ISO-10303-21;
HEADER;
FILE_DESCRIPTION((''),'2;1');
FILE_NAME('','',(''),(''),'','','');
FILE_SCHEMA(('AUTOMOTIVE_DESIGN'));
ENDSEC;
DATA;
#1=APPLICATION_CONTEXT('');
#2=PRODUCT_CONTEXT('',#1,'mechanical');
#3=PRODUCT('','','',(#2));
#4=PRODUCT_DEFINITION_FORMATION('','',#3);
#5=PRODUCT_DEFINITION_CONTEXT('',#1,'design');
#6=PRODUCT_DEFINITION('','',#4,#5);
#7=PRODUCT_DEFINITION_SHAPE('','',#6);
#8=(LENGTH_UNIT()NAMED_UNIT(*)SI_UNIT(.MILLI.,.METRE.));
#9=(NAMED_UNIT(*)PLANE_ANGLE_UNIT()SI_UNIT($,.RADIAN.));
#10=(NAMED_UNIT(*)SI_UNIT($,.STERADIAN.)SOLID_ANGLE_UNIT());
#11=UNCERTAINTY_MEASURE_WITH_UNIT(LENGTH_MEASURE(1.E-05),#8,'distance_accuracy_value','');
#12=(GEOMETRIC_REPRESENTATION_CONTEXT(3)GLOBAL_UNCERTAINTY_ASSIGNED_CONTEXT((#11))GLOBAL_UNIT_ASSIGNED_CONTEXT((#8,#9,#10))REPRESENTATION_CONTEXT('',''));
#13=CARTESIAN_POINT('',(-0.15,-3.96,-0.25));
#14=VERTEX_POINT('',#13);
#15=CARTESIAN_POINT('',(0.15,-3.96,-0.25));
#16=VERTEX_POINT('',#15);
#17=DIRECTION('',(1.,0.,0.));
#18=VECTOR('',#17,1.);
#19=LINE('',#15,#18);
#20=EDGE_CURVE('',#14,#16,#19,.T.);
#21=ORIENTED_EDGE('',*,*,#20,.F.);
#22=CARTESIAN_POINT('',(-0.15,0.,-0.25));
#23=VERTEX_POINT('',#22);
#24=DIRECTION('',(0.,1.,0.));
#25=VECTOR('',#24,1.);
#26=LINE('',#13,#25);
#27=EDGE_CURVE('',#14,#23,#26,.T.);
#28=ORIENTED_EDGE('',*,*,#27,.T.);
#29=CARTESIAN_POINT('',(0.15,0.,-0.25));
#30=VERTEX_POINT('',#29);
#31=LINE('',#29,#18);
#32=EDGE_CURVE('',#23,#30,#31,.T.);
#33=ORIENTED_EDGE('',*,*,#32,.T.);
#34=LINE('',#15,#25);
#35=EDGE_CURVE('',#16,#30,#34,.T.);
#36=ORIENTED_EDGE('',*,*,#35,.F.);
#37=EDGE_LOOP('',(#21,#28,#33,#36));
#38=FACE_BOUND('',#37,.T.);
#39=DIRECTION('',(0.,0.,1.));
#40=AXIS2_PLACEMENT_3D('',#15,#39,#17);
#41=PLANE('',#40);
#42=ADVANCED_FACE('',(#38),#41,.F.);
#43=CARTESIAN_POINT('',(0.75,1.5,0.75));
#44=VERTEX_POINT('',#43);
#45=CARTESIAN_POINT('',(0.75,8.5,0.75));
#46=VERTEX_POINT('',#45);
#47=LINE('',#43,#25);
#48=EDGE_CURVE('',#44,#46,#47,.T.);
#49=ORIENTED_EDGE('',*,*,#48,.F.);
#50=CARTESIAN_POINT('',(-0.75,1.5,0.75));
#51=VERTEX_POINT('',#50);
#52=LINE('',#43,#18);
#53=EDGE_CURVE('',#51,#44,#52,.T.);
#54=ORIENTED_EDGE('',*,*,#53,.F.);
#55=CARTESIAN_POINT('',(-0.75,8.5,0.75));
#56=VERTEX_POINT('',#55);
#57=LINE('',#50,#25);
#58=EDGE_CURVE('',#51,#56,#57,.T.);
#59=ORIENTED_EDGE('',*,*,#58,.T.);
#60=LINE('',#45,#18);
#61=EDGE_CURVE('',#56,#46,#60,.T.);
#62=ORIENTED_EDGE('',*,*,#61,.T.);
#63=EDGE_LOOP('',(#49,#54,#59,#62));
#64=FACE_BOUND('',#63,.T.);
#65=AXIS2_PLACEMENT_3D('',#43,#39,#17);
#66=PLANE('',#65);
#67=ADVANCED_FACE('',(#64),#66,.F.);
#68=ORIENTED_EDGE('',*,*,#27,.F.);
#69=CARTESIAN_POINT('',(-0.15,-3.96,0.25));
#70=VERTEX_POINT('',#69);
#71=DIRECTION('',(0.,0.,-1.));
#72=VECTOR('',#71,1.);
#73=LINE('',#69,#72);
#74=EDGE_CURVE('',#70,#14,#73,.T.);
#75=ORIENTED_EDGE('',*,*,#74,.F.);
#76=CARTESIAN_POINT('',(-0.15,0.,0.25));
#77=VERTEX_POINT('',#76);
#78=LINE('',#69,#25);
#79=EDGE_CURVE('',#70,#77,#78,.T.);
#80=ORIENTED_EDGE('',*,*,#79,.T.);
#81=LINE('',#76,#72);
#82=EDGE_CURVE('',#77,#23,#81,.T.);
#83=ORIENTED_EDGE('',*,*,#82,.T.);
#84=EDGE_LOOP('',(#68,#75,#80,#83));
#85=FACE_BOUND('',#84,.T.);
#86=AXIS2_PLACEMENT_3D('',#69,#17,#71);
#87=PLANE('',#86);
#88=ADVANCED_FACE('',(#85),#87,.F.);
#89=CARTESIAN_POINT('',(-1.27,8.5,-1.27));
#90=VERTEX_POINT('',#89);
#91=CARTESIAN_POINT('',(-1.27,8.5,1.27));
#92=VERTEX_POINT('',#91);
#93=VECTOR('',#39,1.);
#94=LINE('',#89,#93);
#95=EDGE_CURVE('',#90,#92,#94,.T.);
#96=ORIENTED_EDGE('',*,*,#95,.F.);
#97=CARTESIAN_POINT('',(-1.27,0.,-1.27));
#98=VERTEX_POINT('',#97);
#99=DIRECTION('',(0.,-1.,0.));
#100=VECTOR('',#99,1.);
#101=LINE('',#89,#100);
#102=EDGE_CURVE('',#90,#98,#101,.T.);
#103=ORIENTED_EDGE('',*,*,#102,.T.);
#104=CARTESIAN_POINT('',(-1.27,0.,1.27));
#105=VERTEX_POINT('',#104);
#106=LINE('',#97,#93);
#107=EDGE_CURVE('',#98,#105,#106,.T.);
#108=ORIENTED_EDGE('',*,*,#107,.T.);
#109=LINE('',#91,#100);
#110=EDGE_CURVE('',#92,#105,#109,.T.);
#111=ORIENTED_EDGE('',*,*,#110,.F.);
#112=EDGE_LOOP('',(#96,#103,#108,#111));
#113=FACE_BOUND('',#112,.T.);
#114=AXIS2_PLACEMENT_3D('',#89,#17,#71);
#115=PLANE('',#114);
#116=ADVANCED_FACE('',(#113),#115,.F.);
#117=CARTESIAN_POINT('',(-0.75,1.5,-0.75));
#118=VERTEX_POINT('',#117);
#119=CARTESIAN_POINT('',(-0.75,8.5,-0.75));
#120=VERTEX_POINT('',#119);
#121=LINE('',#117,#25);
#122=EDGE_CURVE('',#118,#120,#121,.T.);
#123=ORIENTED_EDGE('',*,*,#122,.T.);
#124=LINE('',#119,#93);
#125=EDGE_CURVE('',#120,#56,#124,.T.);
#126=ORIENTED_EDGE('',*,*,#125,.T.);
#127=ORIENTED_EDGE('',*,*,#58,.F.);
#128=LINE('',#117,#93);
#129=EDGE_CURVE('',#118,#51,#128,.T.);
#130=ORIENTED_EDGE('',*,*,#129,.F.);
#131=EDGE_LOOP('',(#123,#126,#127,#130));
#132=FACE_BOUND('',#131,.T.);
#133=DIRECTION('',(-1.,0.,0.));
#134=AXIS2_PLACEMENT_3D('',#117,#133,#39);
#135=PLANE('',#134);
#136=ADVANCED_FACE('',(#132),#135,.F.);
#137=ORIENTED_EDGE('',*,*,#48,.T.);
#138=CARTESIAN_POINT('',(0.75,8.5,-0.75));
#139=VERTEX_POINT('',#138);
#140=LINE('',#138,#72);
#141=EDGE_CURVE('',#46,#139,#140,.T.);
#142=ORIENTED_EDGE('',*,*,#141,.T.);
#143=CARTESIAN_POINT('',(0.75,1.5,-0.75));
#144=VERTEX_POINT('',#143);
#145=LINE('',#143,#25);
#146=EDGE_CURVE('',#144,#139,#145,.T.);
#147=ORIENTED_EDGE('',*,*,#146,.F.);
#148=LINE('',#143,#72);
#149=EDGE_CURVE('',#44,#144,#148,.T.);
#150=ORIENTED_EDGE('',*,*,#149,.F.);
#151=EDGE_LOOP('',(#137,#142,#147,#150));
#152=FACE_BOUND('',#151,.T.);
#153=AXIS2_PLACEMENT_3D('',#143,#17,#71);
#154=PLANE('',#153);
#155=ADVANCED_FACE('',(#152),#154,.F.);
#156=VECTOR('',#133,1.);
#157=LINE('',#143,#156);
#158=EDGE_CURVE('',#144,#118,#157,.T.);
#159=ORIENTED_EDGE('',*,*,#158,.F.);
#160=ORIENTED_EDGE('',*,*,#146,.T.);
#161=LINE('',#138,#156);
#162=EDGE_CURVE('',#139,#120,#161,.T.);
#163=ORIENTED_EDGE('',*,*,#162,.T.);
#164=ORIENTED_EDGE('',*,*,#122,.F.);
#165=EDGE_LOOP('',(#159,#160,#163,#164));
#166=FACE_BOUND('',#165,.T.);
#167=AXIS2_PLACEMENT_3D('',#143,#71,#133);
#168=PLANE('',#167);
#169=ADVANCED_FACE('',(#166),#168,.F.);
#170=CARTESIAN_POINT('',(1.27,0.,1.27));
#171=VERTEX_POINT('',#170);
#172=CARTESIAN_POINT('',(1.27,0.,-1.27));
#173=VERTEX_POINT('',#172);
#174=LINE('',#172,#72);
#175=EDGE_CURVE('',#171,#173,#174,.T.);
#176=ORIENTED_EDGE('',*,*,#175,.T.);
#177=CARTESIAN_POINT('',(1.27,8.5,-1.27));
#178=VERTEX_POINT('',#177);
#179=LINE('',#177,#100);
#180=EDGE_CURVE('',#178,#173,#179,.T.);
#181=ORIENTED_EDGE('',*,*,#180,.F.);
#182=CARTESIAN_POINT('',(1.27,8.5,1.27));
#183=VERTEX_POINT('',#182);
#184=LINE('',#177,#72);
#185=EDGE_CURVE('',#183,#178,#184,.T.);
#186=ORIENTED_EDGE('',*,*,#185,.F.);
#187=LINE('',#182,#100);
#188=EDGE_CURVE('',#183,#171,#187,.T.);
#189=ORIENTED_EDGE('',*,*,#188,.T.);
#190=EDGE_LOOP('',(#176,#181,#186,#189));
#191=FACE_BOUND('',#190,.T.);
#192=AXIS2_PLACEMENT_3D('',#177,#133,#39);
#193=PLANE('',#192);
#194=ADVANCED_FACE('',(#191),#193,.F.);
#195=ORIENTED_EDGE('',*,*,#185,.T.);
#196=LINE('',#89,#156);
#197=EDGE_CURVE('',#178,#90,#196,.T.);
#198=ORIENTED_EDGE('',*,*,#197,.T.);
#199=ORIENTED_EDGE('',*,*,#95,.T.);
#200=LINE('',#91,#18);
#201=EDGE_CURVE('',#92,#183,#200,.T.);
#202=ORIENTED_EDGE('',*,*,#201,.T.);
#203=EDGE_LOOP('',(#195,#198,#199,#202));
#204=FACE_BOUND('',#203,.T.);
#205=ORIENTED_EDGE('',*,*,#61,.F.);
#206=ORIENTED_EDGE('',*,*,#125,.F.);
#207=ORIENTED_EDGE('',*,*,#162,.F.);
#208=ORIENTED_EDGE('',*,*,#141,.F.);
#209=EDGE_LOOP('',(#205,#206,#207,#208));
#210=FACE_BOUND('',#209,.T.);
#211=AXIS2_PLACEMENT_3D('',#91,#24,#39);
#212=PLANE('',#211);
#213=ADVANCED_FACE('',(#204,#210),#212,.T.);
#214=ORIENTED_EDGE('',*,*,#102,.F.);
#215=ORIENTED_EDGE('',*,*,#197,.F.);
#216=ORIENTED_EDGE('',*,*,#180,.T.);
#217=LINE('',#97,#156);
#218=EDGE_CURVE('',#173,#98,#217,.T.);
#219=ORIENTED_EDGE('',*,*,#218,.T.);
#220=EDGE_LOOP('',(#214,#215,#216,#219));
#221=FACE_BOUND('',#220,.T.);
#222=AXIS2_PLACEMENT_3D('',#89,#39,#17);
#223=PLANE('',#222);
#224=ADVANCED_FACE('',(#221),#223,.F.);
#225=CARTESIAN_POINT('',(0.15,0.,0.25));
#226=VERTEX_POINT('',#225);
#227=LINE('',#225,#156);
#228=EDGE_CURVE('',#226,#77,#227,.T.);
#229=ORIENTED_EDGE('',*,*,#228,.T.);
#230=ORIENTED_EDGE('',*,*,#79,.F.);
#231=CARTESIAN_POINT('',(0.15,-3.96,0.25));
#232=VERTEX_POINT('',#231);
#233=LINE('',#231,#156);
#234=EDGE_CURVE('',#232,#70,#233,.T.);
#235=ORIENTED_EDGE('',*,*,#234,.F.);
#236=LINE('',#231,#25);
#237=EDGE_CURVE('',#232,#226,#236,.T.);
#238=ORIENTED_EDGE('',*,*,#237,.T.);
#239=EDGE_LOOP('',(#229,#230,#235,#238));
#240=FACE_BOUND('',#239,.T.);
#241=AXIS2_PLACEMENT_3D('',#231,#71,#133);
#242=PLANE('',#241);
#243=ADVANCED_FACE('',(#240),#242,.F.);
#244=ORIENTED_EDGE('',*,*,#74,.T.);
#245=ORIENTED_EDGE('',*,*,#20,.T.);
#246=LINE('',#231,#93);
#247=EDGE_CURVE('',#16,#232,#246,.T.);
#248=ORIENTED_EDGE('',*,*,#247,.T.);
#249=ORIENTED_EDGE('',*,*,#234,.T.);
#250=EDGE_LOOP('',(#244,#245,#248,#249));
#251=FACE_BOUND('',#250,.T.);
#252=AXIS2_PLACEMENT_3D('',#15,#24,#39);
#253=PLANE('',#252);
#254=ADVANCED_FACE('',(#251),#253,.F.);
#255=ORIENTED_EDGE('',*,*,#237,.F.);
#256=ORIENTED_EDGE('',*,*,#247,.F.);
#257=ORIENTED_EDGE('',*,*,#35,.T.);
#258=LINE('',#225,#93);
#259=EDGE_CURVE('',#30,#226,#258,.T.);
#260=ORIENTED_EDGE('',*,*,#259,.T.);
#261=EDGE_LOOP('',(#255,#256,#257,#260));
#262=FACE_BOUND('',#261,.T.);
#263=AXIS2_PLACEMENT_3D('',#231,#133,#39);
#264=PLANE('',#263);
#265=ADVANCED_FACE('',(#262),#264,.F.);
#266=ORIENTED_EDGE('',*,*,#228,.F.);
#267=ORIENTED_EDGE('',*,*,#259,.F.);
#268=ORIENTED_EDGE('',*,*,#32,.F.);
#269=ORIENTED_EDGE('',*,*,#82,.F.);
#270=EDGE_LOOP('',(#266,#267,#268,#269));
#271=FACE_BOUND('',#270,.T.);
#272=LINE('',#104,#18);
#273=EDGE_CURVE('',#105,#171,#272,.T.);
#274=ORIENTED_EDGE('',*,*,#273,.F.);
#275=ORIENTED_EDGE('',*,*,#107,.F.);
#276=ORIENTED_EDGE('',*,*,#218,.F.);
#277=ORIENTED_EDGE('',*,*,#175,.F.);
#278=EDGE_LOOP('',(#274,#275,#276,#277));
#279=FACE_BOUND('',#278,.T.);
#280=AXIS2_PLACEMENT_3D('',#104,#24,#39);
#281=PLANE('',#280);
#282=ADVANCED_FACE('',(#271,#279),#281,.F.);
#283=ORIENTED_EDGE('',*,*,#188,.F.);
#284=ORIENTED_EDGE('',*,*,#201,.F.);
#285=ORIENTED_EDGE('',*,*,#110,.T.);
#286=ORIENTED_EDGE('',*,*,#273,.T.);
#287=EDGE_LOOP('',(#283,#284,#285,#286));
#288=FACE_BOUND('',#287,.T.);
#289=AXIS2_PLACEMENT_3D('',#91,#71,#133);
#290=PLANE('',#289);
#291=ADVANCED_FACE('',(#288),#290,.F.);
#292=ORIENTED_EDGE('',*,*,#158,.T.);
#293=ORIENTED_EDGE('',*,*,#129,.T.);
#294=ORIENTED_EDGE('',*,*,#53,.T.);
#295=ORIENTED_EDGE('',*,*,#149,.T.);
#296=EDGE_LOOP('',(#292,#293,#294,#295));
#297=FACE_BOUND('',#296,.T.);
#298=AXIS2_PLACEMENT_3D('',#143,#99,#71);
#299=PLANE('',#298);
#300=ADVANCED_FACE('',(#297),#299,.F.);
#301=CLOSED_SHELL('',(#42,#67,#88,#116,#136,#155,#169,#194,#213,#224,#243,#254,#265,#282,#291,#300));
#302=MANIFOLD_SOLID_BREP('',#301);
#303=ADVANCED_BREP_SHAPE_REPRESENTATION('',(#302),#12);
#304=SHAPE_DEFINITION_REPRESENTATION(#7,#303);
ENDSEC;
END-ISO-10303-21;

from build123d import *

# Parameters (mm, degrees)
SKETCH_2_W          = 2.54
SKETCH_2_H          = 2.54
EXTRUDE_1_DEPTH     = 8.5
SKETCH_3_W          = 0.3
SKETCH_3_H          = 0.5
EXTRUDE_2_DEPTH     = 3.96
SKETCH_4_W          = 1.5
SKETCH_4_H          = 1.5
CUT_EXTRUDE_1_DEPTH = 7


with BuildPart() as part:
    # 草图2 → 拉伸1 (new body)
    with BuildSketch(Plane(origin=(0, 0, 0), x_dir=(1, 0, 0), z_dir=(0, 1, 0))):
        Rectangle(SKETCH_2_W, SKETCH_2_H)
    extrude(amount=EXTRUDE_1_DEPTH)

    # 草图3 → 拉伸2 (add)
    with BuildSketch(Plane.XZ):
        Rectangle(SKETCH_3_W, SKETCH_3_H)
    extrude(amount=EXTRUDE_2_DEPTH)

    # 草图4 → 切除-拉伸1 (cut)
    with BuildSketch(Plane(origin=(0, 8.5, 0), x_dir=(-1, 0, 0), z_dir=(0, 1, 0))):
        Rectangle(SKETCH_4_W, SKETCH_4_H)
    extrude(amount=-CUT_EXTRUDE_1_DEPTH, mode=Mode.SUBTRACT)


solid = part.part
